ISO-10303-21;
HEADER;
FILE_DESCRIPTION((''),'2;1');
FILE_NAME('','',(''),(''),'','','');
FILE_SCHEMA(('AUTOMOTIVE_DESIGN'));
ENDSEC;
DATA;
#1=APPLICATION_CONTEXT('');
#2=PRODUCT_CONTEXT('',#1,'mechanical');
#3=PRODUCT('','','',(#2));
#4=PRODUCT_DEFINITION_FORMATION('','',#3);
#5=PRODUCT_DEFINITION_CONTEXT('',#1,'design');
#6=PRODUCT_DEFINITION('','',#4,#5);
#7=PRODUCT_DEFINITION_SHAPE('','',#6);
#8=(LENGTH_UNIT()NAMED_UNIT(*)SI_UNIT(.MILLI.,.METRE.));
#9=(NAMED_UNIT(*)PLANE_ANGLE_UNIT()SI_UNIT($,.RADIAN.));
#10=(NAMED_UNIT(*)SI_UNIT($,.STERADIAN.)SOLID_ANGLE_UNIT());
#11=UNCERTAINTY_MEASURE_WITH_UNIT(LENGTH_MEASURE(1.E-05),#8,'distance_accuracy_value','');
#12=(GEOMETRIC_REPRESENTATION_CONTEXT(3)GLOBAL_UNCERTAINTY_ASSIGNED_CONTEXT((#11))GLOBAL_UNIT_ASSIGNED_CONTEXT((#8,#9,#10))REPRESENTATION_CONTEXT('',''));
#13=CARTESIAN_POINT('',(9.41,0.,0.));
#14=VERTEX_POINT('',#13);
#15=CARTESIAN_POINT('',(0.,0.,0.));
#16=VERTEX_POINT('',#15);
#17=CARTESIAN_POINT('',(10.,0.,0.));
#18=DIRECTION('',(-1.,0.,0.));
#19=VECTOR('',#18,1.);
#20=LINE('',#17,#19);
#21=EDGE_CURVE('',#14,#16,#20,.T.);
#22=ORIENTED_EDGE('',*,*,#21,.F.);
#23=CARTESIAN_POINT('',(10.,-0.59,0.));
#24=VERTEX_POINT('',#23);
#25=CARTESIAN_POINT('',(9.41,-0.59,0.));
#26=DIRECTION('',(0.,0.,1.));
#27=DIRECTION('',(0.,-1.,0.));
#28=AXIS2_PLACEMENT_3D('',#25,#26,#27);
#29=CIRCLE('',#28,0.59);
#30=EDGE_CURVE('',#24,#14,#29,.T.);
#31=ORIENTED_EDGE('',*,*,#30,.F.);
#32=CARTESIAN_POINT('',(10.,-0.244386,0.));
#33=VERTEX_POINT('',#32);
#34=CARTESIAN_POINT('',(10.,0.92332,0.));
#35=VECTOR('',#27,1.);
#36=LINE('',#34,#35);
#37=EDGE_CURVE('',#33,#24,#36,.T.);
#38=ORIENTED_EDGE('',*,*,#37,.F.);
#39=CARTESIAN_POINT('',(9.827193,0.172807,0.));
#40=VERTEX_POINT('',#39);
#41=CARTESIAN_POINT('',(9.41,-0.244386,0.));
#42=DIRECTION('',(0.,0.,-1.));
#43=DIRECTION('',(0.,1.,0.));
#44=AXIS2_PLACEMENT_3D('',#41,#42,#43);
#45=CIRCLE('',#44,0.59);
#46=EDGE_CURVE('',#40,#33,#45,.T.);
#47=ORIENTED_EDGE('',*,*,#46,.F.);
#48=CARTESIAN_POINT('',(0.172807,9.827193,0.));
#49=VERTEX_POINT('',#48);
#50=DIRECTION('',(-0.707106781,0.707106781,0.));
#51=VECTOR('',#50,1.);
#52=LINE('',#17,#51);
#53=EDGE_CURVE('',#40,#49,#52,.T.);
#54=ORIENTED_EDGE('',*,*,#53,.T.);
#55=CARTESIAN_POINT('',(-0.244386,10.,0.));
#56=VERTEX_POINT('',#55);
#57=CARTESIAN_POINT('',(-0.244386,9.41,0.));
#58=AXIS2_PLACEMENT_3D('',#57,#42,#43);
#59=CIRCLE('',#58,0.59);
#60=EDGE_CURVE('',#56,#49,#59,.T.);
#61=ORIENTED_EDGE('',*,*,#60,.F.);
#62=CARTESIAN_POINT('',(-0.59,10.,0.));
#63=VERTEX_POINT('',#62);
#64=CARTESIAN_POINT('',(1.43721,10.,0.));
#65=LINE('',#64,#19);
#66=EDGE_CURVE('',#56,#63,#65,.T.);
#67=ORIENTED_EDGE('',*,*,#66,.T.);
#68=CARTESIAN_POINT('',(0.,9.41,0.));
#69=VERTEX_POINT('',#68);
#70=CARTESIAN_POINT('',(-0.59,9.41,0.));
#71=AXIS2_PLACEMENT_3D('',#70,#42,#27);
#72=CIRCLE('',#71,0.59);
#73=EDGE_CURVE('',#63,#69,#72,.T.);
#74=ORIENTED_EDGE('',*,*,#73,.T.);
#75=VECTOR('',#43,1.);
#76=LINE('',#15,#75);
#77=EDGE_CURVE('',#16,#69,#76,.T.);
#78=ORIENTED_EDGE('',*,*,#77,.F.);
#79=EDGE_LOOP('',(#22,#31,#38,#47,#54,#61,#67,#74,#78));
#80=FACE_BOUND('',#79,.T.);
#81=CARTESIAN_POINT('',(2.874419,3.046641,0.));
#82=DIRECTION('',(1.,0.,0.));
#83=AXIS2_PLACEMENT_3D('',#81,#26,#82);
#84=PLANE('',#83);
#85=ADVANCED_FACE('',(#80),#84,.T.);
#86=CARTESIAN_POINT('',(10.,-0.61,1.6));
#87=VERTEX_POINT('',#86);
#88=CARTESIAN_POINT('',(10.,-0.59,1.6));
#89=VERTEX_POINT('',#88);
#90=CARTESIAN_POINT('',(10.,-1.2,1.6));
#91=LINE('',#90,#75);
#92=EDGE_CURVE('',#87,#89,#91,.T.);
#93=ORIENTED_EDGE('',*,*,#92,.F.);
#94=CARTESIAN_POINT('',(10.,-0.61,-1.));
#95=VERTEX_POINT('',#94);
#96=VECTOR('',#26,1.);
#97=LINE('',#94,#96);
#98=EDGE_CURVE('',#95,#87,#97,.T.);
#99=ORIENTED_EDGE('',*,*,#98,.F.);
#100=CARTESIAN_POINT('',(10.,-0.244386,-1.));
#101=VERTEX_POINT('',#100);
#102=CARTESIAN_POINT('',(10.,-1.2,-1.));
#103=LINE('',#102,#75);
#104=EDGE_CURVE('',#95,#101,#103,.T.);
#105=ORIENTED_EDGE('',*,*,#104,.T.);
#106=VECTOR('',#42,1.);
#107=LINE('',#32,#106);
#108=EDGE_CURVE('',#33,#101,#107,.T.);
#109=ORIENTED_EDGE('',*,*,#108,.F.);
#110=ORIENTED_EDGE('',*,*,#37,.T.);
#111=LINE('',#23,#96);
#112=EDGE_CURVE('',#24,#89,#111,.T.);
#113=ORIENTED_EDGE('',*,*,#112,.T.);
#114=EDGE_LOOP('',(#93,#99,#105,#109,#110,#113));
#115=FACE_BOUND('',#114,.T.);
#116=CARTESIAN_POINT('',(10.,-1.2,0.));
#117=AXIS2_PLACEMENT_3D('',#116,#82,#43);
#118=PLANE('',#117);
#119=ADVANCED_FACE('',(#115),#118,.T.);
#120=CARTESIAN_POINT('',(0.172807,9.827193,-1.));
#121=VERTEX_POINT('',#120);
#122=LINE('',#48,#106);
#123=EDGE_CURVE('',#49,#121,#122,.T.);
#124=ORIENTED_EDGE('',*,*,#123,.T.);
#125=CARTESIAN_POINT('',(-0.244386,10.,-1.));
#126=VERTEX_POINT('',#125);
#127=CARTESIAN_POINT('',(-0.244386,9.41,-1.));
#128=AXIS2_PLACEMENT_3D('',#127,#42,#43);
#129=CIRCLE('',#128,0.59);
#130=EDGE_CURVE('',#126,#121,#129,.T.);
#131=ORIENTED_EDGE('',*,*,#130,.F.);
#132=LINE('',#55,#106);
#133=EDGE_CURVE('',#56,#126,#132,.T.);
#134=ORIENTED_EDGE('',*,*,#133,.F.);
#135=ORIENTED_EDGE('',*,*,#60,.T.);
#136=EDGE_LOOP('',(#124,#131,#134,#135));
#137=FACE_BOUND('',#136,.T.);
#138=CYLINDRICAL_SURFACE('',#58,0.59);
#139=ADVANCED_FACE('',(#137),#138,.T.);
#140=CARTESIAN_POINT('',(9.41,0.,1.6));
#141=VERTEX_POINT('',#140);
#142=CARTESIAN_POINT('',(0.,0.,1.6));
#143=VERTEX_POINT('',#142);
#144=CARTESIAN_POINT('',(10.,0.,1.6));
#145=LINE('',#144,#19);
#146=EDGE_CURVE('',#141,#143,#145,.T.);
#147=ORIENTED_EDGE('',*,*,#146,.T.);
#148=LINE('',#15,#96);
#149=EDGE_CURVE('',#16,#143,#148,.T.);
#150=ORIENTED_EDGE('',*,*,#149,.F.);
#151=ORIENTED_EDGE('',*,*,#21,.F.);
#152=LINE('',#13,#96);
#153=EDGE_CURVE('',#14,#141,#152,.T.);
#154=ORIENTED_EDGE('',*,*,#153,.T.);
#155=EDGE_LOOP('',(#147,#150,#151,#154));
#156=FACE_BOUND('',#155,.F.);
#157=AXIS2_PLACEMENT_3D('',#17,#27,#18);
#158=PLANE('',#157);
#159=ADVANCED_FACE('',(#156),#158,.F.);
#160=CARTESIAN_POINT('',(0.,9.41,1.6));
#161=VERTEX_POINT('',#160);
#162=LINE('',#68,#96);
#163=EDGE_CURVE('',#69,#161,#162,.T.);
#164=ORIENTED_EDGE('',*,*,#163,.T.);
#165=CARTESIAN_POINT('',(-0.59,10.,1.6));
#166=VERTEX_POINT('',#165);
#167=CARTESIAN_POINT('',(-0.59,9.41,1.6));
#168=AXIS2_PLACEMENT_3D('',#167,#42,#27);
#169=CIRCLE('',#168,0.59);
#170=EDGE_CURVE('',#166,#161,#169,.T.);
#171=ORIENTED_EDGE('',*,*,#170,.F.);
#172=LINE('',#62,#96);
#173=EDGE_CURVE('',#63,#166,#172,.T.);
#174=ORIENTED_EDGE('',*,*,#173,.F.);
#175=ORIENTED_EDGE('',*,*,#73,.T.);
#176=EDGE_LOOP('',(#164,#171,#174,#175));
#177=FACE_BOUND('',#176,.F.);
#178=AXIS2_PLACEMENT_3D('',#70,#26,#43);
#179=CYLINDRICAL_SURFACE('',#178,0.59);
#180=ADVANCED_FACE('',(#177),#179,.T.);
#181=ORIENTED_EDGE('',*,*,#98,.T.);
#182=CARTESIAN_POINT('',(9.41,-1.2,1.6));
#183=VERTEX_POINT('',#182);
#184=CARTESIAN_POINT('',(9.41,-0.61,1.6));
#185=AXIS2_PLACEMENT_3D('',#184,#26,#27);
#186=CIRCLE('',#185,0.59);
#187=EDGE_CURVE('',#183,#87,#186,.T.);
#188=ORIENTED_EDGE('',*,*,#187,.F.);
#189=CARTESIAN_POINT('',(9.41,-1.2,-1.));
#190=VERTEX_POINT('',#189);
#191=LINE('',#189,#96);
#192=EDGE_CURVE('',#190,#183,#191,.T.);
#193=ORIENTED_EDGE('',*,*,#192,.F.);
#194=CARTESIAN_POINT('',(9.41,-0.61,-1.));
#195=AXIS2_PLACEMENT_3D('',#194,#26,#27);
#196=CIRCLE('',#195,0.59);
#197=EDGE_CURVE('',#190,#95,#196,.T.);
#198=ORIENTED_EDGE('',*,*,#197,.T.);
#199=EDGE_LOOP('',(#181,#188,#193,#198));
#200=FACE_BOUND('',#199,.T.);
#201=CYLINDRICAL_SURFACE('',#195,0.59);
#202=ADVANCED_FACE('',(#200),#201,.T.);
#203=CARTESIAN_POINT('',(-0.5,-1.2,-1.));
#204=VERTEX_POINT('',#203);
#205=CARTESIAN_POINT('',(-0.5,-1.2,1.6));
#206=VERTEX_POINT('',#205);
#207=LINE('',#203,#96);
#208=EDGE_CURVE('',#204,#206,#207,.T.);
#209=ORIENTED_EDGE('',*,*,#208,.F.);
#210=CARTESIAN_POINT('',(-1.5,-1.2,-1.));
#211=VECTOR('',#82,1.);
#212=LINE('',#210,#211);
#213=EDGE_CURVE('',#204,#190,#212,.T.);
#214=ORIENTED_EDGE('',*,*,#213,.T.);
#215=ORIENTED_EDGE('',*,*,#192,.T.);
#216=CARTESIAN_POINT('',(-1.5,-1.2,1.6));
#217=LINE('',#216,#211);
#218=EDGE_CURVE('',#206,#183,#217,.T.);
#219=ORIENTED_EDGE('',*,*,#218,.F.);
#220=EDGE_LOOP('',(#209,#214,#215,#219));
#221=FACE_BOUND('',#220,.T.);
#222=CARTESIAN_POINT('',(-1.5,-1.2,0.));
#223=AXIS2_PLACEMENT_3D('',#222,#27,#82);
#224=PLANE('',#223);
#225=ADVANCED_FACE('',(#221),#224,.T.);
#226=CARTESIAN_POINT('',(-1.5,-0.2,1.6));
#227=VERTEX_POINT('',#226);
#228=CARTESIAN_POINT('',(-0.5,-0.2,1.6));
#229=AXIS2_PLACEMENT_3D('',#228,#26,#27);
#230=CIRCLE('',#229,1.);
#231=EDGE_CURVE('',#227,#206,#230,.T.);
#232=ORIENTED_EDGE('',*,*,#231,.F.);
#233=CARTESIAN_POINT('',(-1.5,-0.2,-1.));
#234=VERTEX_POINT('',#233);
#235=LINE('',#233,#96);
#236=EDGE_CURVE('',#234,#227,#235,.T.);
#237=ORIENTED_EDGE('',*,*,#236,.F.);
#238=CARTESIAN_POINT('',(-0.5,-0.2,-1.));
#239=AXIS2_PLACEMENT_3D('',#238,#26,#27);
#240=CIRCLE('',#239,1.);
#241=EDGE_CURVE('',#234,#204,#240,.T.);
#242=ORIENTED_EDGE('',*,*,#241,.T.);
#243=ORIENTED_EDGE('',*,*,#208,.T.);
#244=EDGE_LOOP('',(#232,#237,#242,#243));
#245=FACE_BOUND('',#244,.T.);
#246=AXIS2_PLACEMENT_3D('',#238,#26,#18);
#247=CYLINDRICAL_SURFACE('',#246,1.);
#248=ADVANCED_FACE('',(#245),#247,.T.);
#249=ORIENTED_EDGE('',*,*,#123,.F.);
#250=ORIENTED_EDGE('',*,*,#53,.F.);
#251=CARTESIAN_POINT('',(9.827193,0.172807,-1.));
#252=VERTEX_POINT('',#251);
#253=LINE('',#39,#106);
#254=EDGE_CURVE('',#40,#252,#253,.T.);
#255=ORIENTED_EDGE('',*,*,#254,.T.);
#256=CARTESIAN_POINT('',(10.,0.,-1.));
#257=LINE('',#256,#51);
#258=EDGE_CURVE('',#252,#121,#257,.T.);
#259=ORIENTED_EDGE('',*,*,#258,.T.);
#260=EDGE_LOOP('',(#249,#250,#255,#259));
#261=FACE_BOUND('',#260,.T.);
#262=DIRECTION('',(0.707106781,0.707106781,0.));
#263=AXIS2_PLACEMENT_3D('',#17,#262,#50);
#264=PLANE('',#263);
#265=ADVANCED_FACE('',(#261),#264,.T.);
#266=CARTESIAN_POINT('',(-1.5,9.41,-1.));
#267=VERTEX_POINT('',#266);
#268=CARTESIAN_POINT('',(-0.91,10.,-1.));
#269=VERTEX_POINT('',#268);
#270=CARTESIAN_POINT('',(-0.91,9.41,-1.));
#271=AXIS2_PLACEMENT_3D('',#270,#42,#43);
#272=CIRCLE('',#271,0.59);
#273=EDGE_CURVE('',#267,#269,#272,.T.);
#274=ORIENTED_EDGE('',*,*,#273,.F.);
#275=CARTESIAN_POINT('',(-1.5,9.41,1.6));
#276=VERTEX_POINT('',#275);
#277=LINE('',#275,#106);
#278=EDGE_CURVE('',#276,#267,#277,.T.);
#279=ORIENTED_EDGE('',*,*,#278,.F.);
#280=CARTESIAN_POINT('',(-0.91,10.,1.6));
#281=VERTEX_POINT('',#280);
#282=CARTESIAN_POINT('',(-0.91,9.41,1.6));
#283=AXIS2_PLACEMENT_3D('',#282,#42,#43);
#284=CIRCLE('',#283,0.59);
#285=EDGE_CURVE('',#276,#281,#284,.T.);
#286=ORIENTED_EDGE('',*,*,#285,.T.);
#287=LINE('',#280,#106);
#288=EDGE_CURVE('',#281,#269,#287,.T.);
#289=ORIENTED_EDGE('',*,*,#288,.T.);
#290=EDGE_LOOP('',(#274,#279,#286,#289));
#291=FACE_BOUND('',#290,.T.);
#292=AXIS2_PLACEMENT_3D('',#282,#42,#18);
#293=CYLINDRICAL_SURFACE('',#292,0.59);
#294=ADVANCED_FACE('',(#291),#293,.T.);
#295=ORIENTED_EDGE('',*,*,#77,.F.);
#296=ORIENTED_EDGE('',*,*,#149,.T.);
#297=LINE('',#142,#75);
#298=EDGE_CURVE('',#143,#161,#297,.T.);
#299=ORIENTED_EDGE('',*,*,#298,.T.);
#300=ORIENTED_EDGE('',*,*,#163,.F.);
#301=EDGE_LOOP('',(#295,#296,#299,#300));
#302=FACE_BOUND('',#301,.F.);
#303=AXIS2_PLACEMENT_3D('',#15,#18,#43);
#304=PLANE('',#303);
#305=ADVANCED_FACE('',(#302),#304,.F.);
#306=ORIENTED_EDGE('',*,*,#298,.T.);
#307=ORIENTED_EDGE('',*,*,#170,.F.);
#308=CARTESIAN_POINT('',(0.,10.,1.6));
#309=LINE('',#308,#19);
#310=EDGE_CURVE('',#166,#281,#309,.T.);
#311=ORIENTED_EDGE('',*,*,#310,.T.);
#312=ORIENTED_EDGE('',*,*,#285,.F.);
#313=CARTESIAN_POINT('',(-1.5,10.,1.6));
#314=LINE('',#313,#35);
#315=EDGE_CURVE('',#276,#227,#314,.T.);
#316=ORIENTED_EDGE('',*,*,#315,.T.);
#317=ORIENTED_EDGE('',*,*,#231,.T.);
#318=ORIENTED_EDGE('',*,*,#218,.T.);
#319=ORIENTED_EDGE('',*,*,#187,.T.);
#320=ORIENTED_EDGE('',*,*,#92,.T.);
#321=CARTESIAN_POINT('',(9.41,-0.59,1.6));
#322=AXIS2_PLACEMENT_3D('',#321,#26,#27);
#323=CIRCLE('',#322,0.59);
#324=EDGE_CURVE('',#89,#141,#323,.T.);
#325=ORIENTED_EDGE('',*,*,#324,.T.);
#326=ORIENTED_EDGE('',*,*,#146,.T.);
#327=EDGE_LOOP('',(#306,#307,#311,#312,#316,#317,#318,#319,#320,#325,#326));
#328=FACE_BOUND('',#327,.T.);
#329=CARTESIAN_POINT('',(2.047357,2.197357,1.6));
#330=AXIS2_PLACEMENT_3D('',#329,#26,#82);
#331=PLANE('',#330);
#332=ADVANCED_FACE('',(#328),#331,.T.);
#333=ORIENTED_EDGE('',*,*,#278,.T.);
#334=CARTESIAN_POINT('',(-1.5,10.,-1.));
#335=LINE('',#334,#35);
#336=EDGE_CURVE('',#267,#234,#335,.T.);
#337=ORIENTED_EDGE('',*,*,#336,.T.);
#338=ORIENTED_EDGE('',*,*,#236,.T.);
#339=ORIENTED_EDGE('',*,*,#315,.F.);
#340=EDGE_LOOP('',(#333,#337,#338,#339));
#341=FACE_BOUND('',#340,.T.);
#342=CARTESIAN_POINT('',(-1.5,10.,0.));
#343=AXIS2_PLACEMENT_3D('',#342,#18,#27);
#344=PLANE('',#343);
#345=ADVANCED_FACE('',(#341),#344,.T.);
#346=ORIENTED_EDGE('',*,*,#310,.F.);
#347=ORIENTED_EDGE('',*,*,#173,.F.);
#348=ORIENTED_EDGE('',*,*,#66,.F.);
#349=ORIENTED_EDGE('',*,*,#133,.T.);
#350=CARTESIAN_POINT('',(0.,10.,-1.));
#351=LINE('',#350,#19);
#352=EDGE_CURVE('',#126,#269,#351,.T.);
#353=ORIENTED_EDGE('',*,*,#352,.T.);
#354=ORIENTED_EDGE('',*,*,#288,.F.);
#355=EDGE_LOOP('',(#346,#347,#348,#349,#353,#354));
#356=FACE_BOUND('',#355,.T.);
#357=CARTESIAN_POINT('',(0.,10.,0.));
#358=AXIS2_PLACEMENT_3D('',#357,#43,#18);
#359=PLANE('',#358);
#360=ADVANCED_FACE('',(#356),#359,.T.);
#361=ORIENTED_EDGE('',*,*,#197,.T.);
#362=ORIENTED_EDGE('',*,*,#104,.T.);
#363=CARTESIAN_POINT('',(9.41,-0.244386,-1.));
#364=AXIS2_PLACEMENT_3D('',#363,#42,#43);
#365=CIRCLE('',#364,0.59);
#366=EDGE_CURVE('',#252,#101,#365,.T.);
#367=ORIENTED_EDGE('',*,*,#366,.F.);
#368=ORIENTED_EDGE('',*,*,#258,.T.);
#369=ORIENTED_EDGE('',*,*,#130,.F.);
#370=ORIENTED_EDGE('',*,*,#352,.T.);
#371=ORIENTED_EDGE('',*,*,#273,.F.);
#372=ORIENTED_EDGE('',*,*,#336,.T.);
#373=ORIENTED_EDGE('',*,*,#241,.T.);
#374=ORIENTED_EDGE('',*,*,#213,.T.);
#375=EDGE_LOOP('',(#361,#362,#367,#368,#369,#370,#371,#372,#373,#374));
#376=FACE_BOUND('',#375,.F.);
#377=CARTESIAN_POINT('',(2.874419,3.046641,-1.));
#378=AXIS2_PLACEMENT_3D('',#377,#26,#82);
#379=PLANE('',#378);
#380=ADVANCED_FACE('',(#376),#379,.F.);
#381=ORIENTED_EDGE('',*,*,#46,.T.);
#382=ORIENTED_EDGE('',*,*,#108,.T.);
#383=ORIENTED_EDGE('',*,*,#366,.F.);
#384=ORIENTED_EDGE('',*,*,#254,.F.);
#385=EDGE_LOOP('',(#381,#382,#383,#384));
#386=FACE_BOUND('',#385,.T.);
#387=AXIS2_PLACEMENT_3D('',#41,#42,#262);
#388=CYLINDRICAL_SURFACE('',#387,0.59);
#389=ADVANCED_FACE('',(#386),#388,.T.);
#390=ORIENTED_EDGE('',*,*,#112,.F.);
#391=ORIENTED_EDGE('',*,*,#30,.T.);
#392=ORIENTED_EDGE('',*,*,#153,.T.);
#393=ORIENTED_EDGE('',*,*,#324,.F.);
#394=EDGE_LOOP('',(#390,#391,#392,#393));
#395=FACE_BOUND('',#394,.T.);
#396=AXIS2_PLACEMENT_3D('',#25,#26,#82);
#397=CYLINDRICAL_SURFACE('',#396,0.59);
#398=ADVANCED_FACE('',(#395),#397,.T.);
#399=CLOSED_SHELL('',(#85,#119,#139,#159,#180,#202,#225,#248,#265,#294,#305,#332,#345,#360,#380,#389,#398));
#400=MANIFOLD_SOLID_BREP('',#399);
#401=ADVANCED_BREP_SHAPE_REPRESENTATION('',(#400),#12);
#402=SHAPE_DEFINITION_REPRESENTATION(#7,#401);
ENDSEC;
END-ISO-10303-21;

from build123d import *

# Parameters (mm, degrees)
PAD_DEPTH    = 1.6
PAD001_DEPTH = 1
FILLET_R     = 1
FILLET002_R  = 0.59
FILLET003_R  = 0.59


with BuildPart() as part:
    # Sketch → Pad (new body)
    with BuildSketch(Plane.XY):
        Polygon((0, 10), (-1.5, 10), (-1.5, -1.2), (10, -1.2), (10, 0), (0, 0), align=None)
    extrude(amount=PAD_DEPTH)

    # Sketch001 → Pad001 (join)
    with BuildSketch(Plane.XY):
        Polygon((-1.5, 10), (-1.5, -1.2), (10, -1.2), (10, 0), (0, 10), align=None)
    extrude(amount=-PAD001_DEPTH)

    # Fillet
    fillet_edges = [part.edges().sort_by_distance(p)[0] for p in [
        (-1.5, -1.2, 0.3),
    ]]
    fillet(fillet_edges, radius=FILLET_R)

    # Fillet002
    fillet002_edges = [part.edges().sort_by_distance(p)[0] for p in [
        (0, 10, 0.8),
        (10, -1.2, 0.3),
        (10, 0, 0.8),
        (-1.5, 10, 0.3),
    ]]
    fillet(fillet002_edges, radius=FILLET002_R)

    # Fillet003
    fillet003_edges = [part.edges().sort_by_distance(p)[0] for p in [
        (10, 0, -0.5),
        (0, 10, -0.5),
    ]]
    fillet(fillet003_edges, radius=FILLET003_R)


solid = part.part
